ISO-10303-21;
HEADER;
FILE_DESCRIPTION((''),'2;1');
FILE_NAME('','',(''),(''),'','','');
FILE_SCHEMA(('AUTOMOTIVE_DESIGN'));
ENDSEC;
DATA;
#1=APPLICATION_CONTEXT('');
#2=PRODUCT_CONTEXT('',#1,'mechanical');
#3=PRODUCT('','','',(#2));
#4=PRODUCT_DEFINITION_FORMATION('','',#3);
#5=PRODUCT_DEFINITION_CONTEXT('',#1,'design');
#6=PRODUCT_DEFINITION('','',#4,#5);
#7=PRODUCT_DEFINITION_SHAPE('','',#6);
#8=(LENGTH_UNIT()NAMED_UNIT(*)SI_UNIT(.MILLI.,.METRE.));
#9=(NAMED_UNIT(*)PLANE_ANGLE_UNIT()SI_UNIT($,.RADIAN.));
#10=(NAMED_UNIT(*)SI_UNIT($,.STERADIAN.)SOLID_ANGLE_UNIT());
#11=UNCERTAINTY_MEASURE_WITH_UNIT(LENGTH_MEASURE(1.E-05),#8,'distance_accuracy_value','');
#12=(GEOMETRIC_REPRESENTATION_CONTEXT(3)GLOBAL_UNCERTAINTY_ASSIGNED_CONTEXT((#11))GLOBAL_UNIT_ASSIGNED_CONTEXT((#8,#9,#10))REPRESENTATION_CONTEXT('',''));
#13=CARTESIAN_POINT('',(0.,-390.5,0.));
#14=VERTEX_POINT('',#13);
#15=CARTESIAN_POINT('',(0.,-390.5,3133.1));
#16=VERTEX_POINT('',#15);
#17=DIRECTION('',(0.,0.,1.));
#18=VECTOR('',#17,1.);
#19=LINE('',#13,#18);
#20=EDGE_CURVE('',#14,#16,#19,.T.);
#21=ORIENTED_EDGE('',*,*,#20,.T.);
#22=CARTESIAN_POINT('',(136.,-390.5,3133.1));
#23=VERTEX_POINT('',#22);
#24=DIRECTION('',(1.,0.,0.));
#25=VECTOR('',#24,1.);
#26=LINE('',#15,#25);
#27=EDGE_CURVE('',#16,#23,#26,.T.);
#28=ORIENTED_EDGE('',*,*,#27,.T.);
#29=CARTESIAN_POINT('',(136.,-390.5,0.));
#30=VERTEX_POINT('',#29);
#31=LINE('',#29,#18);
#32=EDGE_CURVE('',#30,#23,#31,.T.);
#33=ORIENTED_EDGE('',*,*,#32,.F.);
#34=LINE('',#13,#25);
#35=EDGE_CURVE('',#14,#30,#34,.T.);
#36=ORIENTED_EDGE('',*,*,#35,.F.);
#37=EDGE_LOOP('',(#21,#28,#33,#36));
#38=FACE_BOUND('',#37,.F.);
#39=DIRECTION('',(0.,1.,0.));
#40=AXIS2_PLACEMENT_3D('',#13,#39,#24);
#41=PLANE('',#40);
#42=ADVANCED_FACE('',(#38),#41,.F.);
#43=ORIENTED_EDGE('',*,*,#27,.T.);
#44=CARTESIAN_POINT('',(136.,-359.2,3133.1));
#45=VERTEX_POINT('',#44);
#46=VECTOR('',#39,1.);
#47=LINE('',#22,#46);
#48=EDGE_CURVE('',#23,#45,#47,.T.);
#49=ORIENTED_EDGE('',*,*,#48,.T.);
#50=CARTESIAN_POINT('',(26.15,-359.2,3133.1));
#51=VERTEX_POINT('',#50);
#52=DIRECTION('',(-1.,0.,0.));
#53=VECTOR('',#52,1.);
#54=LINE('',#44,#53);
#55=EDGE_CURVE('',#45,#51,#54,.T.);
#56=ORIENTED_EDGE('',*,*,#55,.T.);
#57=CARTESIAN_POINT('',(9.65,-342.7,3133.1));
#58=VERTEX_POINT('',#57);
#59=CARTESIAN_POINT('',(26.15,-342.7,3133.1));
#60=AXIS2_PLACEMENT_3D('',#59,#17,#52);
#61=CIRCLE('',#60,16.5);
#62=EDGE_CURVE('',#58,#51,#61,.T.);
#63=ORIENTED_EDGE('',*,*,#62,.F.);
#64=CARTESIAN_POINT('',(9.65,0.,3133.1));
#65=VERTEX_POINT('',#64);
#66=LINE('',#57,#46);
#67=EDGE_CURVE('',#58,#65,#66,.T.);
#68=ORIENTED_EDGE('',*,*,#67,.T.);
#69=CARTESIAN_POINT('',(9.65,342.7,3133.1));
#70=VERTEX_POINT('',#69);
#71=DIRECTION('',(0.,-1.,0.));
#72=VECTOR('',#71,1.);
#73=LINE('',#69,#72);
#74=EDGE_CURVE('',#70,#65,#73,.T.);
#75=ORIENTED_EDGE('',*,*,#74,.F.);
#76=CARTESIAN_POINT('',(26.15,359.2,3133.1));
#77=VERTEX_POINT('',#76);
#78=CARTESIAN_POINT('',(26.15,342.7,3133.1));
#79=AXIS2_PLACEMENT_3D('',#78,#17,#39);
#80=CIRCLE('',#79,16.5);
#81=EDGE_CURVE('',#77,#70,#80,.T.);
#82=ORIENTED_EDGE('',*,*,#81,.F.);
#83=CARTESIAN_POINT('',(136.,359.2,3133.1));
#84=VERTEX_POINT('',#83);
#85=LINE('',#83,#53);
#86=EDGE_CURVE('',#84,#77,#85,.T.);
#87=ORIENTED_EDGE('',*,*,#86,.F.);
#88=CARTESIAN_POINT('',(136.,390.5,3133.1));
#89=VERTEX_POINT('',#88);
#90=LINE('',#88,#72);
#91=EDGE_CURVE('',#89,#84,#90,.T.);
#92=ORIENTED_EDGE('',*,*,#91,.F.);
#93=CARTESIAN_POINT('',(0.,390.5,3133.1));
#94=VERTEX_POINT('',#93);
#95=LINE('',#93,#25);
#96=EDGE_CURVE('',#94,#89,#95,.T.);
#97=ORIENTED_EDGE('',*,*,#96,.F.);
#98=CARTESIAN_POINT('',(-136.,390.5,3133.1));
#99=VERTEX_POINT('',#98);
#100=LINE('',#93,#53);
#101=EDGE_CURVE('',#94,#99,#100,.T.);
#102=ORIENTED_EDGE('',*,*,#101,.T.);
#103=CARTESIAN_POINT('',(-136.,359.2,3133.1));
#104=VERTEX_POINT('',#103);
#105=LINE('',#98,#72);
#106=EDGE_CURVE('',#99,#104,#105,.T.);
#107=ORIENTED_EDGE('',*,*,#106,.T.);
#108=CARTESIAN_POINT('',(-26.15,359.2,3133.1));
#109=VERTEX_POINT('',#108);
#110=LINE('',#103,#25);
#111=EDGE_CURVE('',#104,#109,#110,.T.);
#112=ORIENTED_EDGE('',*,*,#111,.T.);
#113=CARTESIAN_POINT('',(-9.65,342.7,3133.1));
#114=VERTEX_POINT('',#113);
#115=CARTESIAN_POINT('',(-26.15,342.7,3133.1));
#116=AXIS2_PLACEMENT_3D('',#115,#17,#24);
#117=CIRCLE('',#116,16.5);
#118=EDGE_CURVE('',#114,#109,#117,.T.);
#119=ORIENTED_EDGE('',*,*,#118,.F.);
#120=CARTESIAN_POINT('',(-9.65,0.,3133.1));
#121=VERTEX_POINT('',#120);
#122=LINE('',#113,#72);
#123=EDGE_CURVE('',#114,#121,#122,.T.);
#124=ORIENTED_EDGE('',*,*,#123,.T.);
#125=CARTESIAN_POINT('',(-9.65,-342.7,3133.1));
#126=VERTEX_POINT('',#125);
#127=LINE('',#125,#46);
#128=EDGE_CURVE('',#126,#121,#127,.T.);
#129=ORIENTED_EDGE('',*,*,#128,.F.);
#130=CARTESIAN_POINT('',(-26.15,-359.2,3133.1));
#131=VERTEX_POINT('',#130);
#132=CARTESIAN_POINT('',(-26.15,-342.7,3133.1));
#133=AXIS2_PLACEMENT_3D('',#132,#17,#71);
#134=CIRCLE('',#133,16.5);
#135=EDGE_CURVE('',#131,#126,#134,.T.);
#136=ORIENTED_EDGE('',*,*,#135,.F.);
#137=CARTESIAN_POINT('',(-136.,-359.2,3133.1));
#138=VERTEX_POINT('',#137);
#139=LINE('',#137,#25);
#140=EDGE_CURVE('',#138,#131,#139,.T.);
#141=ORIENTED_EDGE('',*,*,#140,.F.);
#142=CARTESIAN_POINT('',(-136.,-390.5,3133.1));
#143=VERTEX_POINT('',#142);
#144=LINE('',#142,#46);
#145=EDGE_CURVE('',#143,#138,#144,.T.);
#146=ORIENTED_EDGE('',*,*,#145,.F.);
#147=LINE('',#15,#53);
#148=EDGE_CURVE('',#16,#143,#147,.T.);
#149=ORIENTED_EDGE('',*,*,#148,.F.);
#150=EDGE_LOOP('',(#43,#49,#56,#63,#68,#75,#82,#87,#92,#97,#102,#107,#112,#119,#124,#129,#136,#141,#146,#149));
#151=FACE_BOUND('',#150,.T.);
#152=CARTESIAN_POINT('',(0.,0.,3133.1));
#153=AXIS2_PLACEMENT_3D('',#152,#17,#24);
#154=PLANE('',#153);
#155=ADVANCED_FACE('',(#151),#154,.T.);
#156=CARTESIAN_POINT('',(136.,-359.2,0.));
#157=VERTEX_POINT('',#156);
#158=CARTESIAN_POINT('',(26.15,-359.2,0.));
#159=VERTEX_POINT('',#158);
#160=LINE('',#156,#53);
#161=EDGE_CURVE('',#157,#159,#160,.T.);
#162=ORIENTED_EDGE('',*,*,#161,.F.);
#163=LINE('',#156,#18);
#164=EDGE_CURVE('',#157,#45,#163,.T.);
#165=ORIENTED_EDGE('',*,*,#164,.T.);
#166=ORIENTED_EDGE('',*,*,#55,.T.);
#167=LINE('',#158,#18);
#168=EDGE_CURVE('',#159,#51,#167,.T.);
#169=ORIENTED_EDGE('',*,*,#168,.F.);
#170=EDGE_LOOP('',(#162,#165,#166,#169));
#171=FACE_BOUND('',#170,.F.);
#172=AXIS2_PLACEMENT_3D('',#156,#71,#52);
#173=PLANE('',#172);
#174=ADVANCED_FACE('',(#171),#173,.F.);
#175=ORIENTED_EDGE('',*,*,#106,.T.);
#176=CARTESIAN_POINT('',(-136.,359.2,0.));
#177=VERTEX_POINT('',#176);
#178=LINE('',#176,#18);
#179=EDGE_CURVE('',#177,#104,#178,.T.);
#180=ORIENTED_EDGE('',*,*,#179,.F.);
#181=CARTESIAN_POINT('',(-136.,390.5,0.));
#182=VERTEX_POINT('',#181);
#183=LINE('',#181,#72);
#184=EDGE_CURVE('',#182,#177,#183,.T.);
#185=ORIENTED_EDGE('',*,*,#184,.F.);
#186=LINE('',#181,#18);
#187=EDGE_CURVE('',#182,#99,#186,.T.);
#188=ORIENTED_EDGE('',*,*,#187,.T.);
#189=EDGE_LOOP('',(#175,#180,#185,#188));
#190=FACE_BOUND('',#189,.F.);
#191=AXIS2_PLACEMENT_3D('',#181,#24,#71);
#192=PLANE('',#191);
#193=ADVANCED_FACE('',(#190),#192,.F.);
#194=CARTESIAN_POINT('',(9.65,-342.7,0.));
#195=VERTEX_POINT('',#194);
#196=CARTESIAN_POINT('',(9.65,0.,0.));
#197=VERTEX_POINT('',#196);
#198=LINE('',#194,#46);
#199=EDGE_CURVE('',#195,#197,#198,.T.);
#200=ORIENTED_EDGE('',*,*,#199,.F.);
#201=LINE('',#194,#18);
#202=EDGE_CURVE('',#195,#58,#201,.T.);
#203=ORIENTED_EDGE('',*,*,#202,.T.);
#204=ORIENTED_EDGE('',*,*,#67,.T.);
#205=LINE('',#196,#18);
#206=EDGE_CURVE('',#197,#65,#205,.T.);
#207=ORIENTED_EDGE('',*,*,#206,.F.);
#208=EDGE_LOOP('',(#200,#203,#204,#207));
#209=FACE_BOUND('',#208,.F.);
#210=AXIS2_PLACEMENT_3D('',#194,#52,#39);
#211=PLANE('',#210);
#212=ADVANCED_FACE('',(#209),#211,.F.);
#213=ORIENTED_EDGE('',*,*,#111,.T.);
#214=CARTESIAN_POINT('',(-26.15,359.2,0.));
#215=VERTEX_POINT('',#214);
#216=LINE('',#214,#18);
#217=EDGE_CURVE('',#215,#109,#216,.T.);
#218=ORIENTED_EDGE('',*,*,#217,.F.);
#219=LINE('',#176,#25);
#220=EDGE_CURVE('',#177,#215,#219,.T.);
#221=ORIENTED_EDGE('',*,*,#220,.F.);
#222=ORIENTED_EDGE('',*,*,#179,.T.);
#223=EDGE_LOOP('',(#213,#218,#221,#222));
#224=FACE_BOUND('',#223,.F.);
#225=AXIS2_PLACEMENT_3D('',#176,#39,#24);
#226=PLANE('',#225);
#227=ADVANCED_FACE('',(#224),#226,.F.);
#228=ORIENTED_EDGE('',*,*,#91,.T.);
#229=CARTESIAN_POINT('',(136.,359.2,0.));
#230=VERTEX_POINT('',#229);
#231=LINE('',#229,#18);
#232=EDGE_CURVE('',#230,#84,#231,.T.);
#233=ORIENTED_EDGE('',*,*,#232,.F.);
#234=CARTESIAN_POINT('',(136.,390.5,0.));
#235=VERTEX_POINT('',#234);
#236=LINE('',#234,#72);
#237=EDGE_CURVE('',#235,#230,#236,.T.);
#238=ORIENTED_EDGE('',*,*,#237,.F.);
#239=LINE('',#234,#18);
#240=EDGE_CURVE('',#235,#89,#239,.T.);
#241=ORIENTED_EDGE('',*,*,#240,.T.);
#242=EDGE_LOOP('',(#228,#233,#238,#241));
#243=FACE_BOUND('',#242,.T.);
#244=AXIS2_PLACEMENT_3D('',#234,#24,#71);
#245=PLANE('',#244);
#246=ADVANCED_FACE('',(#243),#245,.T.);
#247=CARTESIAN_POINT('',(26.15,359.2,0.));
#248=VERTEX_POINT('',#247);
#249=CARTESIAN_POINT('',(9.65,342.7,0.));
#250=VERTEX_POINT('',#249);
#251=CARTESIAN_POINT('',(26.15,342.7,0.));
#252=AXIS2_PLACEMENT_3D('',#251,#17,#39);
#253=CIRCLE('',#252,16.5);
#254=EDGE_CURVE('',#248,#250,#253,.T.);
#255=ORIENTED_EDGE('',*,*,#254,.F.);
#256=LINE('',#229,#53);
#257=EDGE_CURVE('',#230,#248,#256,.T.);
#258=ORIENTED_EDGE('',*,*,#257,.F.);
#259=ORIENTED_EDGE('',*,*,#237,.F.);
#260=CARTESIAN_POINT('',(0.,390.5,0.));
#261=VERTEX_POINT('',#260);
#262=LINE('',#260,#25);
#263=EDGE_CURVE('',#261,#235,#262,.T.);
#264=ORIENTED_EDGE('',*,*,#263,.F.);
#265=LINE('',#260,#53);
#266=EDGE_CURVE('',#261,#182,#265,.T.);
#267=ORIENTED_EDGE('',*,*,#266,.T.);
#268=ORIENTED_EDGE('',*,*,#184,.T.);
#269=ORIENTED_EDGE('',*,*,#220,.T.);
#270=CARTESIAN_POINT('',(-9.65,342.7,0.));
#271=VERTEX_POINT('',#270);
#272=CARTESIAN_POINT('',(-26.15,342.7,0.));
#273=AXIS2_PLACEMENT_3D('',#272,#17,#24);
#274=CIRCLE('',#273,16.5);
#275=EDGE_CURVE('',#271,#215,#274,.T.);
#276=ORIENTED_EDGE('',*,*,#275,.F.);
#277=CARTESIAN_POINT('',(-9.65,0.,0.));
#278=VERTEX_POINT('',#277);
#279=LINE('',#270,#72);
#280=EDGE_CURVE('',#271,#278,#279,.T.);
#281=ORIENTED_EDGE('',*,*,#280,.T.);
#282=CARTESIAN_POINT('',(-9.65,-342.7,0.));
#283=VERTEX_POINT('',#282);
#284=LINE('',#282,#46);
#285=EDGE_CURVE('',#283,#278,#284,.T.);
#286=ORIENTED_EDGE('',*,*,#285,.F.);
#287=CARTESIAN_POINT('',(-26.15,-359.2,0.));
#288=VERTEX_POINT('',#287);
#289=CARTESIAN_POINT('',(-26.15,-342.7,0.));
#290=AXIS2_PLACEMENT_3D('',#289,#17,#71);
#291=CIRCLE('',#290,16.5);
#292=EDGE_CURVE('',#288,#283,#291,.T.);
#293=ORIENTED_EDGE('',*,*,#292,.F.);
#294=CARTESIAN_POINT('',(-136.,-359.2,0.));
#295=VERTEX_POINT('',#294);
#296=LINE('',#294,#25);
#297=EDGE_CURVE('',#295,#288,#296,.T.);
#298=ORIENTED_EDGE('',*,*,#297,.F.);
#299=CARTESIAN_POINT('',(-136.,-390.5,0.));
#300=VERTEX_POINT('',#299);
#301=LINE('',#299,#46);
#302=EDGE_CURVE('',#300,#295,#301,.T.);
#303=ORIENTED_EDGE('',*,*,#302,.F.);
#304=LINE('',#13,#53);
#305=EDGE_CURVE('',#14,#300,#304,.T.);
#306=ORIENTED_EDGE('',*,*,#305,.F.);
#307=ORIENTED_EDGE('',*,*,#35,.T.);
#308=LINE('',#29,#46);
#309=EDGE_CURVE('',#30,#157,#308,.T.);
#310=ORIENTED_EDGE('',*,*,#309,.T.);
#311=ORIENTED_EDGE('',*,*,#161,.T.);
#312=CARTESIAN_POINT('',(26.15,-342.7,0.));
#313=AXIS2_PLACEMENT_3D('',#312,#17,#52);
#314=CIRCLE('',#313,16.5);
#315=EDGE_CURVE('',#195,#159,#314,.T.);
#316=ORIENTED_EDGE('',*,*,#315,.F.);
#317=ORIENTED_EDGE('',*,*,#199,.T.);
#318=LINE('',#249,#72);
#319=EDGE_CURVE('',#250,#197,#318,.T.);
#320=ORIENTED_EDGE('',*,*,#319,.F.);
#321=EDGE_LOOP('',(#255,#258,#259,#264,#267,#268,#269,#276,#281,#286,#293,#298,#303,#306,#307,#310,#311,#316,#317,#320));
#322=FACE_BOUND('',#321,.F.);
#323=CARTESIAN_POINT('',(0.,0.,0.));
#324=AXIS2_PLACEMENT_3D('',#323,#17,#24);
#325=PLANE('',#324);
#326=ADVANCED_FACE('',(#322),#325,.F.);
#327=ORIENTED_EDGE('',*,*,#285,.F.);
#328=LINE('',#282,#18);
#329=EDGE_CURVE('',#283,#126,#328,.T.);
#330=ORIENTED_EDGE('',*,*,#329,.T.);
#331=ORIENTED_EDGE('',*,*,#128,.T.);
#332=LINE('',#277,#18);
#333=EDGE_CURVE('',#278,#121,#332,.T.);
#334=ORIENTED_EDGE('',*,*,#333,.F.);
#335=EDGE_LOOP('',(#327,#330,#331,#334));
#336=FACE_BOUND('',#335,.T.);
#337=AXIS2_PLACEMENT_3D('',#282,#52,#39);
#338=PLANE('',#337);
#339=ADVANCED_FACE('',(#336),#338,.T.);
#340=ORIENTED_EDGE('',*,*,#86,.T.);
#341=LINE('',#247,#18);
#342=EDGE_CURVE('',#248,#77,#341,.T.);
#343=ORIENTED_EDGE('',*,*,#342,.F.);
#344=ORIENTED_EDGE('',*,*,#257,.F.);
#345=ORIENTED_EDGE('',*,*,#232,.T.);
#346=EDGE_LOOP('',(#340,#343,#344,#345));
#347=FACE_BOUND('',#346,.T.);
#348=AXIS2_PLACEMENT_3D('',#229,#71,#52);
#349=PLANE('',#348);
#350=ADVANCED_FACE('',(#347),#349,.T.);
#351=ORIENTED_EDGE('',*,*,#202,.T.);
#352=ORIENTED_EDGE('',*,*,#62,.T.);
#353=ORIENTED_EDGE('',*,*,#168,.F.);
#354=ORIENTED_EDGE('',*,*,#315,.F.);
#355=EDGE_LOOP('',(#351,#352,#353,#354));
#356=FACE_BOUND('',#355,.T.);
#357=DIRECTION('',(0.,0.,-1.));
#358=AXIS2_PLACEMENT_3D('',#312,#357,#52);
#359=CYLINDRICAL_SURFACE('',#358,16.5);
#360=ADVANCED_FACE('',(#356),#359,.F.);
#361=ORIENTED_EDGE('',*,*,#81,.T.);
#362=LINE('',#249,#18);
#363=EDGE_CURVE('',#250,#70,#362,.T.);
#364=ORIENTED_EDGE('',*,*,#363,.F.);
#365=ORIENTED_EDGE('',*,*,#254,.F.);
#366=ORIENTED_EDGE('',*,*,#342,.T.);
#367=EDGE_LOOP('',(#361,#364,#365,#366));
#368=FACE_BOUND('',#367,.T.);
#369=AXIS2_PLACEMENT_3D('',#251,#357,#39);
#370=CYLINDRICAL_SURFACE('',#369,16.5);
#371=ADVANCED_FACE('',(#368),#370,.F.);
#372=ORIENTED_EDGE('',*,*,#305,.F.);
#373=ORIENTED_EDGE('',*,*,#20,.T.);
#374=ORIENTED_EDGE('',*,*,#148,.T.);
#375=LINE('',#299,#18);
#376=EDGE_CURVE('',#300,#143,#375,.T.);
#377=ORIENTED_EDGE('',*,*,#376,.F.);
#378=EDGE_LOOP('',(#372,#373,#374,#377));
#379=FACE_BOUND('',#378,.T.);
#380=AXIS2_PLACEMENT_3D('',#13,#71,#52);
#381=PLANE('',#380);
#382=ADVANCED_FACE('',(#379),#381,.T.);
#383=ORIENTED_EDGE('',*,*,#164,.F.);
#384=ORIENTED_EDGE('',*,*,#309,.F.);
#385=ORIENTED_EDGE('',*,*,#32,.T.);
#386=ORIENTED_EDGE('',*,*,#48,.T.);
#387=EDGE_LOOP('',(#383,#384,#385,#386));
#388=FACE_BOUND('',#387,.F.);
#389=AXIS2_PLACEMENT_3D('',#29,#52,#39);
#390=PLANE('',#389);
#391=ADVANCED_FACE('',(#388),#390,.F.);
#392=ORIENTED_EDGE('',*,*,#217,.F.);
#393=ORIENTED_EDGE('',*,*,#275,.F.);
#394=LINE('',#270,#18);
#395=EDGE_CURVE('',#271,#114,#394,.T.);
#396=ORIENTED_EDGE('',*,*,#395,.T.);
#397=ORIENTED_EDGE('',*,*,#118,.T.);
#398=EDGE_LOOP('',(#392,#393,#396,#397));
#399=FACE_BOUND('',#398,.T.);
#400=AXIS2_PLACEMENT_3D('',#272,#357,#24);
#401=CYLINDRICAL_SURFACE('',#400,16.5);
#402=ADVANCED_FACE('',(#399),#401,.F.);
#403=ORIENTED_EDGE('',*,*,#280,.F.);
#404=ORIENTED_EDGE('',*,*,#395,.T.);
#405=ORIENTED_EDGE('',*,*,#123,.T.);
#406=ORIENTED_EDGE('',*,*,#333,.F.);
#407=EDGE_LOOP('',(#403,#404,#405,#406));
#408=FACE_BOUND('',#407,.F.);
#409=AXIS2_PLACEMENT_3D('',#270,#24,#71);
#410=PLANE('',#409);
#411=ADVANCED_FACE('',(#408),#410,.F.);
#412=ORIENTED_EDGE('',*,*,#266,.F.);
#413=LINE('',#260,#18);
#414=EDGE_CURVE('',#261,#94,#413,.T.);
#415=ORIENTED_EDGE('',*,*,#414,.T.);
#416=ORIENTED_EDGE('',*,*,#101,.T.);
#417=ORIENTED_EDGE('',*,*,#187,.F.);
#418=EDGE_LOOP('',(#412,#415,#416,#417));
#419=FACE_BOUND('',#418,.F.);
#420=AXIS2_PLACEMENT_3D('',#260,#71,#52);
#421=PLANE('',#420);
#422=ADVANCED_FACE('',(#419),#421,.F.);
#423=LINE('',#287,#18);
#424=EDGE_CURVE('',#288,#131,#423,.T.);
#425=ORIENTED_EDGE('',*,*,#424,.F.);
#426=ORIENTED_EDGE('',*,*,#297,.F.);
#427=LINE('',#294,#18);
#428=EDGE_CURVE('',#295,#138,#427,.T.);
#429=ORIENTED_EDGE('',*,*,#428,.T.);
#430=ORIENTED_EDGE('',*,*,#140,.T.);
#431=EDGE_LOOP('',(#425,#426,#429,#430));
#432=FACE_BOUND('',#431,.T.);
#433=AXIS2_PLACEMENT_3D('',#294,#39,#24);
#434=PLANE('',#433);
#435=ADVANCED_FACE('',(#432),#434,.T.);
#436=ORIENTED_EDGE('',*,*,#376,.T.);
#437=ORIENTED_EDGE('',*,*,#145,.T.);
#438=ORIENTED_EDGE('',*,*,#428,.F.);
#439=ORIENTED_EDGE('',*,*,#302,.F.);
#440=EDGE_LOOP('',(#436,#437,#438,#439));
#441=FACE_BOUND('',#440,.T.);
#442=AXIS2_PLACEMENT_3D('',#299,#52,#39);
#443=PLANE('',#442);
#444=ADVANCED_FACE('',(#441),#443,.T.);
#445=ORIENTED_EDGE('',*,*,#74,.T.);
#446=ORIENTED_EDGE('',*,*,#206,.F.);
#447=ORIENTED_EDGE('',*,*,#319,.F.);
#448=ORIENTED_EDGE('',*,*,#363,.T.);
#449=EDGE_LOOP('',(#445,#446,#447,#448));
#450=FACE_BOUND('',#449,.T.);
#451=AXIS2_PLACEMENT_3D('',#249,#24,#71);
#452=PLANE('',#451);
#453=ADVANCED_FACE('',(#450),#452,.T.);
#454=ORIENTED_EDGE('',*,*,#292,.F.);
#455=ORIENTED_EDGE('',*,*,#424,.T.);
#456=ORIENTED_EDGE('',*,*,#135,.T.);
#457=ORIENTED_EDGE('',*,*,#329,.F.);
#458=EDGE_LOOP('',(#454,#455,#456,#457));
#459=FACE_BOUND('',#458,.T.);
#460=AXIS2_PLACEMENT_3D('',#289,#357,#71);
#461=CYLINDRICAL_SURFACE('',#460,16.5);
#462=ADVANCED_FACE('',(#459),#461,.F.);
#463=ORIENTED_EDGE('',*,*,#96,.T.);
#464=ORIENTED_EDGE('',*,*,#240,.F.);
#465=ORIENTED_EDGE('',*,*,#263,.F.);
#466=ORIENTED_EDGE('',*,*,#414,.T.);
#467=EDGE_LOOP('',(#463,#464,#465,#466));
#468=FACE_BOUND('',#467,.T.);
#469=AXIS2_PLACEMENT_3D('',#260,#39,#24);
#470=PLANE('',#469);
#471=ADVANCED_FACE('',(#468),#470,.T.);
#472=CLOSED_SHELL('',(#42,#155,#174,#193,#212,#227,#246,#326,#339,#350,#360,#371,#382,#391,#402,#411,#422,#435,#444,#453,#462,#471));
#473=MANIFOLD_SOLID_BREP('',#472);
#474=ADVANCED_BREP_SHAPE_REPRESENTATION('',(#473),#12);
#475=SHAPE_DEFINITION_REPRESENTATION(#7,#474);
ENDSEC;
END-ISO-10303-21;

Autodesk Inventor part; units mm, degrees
ref_plane "YZ Plane" through (0, 0, 0) normal (1, 0, 0) x (0, 1, 0)
ref_plane "Start plane" through (0, 0, 0) normal (0, 0, 1) x (1, 0, 0)
ref_plane "End plane" through (0, 0, 3133.1) normal (0, 0, 1) x (1, 0, 0)
sketch "Sketch" plane through (0, 0, 0) normal (0, 0, 1) x (1, 0, 0)
  line L0 (-136, -390.5) -> (-136, -359.2)
  line L1 (-136, -359.2) -> (-26.15, -359.2)
  line L2 (-9.65, -342.7) -> (-9.65, 0)
  line L3 (-9.65, 0) -> (0, 0) construction
  line L4 (0, 0) -> (0, -390.5) construction
  line L5 (0, -390.5) -> (-136, -390.5)
  line L6 (-60, 0) -> (80, 0) construction
  line L7 (0, -60) -> (0, 80) construction
  line L8 (136, -390.5) -> (136, -359.2)
  line L9 (136, -359.2) -> (26.15, -359.2)
  line L10 (9.65, -342.7) -> (9.65, 0)
  line L11 (9.65, 0) -> (0, 0) construction
  line L12 (0, -390.5) -> (136, -390.5)
  line L13 (-136, 390.5) -> (-136, 359.2)
  line L14 (-136, 359.2) -> (-26.15, 359.2)
  line L15 (-9.65, 342.7) -> (-9.65, 0)
  line L16 (0, 390.5) -> (-136, 390.5)
  line L17 (136, 390.5) -> (136, 359.2)
  line L18 (136, 359.2) -> (26.15, 359.2)
  line L19 (0, 390.5) -> (136, 390.5)
  line L20 (9.65, 342.7) -> (9.65, 0)
  arc A0 (-9.65, 342.7) -> (-26.15, 359.2) centre (-26.15, 342.7) ccw
  arc A1 (26.15, 359.2) -> (9.65, 342.7) centre (26.15, 342.7) ccw
  arc A2 (9.65, -342.7) -> (26.15, -359.2) centre (26.15, -342.7) ccw
  arc A3 (-26.15, -359.2) -> (-9.65, -342.7) centre (-26.15, -342.7) ccw
  line L21 (0, 108) -> (0, -88) construction
  line L22 (-88, 0) -> (108, 0) construction
  point P0 (-9.65, -359.2)
  point P1 (9.65, -359.2)
  point P2 (-9.65, 359.2)
  point P3 (9.65, 359.2)
  dimension "d1" = 390.5
  dimension "d2" = 31.3
  dimension "d3" = 136
  dimension "d4" = 9.65
  dimension "d10" = 16.5
extrude "Body" add sketch "Sketch" along normal up to surface (3133.1 mm away) from surface at 0
sketch "Sketch4" plane through (0, 0, 0) normal (0, 0, 1) x (1, 0, 0)
  line L0 (0, 0) -> (10, 0)
ref_plane "Work Plane3" through (0, 0, 0) normal (0, -1, 0) x (1, 0, 0)
sketch "Sketch5" plane through (0, 0, 0) normal (0, -1, 0) x (1, 0, 0)
  line L0 (-2, 0) -> (12, 0) projected
  line L1 (-2, 3133.1) -> (12, 3133.1) projected
  dimension "d14" = 3133.1
equation "\"d1\" = 0.5 * G_H"
equation "\"d2\" = G_T1"
equation "\"d3\" = 0.5 * G_W"
equation "\"d4\" = 0.5 * G_T"
equation "\"d10\" = G_IR"
equation "\"d5\" = G_L"
equation "\"G_W\" = 272"
equation "\"G_H\" = 781"
equation "\"G_T\" = 19.3"
equation "\"G_T1\" = 31.3"
equation "\"G_IR\" = 16.5"
equation "\"G_L\" = d14"
equation "\"G_OFFSET_START\" = 0"
equation "\"G_OFFSET_END\" = 0"
equation "\"d12\" = G_OFFSET_END + B_L"
equation "\"B_L\" = 3133.1"
properties part number "AS 3679-1990 - 760 UB - 244 - 3133.1" material "Steel, Mild"
